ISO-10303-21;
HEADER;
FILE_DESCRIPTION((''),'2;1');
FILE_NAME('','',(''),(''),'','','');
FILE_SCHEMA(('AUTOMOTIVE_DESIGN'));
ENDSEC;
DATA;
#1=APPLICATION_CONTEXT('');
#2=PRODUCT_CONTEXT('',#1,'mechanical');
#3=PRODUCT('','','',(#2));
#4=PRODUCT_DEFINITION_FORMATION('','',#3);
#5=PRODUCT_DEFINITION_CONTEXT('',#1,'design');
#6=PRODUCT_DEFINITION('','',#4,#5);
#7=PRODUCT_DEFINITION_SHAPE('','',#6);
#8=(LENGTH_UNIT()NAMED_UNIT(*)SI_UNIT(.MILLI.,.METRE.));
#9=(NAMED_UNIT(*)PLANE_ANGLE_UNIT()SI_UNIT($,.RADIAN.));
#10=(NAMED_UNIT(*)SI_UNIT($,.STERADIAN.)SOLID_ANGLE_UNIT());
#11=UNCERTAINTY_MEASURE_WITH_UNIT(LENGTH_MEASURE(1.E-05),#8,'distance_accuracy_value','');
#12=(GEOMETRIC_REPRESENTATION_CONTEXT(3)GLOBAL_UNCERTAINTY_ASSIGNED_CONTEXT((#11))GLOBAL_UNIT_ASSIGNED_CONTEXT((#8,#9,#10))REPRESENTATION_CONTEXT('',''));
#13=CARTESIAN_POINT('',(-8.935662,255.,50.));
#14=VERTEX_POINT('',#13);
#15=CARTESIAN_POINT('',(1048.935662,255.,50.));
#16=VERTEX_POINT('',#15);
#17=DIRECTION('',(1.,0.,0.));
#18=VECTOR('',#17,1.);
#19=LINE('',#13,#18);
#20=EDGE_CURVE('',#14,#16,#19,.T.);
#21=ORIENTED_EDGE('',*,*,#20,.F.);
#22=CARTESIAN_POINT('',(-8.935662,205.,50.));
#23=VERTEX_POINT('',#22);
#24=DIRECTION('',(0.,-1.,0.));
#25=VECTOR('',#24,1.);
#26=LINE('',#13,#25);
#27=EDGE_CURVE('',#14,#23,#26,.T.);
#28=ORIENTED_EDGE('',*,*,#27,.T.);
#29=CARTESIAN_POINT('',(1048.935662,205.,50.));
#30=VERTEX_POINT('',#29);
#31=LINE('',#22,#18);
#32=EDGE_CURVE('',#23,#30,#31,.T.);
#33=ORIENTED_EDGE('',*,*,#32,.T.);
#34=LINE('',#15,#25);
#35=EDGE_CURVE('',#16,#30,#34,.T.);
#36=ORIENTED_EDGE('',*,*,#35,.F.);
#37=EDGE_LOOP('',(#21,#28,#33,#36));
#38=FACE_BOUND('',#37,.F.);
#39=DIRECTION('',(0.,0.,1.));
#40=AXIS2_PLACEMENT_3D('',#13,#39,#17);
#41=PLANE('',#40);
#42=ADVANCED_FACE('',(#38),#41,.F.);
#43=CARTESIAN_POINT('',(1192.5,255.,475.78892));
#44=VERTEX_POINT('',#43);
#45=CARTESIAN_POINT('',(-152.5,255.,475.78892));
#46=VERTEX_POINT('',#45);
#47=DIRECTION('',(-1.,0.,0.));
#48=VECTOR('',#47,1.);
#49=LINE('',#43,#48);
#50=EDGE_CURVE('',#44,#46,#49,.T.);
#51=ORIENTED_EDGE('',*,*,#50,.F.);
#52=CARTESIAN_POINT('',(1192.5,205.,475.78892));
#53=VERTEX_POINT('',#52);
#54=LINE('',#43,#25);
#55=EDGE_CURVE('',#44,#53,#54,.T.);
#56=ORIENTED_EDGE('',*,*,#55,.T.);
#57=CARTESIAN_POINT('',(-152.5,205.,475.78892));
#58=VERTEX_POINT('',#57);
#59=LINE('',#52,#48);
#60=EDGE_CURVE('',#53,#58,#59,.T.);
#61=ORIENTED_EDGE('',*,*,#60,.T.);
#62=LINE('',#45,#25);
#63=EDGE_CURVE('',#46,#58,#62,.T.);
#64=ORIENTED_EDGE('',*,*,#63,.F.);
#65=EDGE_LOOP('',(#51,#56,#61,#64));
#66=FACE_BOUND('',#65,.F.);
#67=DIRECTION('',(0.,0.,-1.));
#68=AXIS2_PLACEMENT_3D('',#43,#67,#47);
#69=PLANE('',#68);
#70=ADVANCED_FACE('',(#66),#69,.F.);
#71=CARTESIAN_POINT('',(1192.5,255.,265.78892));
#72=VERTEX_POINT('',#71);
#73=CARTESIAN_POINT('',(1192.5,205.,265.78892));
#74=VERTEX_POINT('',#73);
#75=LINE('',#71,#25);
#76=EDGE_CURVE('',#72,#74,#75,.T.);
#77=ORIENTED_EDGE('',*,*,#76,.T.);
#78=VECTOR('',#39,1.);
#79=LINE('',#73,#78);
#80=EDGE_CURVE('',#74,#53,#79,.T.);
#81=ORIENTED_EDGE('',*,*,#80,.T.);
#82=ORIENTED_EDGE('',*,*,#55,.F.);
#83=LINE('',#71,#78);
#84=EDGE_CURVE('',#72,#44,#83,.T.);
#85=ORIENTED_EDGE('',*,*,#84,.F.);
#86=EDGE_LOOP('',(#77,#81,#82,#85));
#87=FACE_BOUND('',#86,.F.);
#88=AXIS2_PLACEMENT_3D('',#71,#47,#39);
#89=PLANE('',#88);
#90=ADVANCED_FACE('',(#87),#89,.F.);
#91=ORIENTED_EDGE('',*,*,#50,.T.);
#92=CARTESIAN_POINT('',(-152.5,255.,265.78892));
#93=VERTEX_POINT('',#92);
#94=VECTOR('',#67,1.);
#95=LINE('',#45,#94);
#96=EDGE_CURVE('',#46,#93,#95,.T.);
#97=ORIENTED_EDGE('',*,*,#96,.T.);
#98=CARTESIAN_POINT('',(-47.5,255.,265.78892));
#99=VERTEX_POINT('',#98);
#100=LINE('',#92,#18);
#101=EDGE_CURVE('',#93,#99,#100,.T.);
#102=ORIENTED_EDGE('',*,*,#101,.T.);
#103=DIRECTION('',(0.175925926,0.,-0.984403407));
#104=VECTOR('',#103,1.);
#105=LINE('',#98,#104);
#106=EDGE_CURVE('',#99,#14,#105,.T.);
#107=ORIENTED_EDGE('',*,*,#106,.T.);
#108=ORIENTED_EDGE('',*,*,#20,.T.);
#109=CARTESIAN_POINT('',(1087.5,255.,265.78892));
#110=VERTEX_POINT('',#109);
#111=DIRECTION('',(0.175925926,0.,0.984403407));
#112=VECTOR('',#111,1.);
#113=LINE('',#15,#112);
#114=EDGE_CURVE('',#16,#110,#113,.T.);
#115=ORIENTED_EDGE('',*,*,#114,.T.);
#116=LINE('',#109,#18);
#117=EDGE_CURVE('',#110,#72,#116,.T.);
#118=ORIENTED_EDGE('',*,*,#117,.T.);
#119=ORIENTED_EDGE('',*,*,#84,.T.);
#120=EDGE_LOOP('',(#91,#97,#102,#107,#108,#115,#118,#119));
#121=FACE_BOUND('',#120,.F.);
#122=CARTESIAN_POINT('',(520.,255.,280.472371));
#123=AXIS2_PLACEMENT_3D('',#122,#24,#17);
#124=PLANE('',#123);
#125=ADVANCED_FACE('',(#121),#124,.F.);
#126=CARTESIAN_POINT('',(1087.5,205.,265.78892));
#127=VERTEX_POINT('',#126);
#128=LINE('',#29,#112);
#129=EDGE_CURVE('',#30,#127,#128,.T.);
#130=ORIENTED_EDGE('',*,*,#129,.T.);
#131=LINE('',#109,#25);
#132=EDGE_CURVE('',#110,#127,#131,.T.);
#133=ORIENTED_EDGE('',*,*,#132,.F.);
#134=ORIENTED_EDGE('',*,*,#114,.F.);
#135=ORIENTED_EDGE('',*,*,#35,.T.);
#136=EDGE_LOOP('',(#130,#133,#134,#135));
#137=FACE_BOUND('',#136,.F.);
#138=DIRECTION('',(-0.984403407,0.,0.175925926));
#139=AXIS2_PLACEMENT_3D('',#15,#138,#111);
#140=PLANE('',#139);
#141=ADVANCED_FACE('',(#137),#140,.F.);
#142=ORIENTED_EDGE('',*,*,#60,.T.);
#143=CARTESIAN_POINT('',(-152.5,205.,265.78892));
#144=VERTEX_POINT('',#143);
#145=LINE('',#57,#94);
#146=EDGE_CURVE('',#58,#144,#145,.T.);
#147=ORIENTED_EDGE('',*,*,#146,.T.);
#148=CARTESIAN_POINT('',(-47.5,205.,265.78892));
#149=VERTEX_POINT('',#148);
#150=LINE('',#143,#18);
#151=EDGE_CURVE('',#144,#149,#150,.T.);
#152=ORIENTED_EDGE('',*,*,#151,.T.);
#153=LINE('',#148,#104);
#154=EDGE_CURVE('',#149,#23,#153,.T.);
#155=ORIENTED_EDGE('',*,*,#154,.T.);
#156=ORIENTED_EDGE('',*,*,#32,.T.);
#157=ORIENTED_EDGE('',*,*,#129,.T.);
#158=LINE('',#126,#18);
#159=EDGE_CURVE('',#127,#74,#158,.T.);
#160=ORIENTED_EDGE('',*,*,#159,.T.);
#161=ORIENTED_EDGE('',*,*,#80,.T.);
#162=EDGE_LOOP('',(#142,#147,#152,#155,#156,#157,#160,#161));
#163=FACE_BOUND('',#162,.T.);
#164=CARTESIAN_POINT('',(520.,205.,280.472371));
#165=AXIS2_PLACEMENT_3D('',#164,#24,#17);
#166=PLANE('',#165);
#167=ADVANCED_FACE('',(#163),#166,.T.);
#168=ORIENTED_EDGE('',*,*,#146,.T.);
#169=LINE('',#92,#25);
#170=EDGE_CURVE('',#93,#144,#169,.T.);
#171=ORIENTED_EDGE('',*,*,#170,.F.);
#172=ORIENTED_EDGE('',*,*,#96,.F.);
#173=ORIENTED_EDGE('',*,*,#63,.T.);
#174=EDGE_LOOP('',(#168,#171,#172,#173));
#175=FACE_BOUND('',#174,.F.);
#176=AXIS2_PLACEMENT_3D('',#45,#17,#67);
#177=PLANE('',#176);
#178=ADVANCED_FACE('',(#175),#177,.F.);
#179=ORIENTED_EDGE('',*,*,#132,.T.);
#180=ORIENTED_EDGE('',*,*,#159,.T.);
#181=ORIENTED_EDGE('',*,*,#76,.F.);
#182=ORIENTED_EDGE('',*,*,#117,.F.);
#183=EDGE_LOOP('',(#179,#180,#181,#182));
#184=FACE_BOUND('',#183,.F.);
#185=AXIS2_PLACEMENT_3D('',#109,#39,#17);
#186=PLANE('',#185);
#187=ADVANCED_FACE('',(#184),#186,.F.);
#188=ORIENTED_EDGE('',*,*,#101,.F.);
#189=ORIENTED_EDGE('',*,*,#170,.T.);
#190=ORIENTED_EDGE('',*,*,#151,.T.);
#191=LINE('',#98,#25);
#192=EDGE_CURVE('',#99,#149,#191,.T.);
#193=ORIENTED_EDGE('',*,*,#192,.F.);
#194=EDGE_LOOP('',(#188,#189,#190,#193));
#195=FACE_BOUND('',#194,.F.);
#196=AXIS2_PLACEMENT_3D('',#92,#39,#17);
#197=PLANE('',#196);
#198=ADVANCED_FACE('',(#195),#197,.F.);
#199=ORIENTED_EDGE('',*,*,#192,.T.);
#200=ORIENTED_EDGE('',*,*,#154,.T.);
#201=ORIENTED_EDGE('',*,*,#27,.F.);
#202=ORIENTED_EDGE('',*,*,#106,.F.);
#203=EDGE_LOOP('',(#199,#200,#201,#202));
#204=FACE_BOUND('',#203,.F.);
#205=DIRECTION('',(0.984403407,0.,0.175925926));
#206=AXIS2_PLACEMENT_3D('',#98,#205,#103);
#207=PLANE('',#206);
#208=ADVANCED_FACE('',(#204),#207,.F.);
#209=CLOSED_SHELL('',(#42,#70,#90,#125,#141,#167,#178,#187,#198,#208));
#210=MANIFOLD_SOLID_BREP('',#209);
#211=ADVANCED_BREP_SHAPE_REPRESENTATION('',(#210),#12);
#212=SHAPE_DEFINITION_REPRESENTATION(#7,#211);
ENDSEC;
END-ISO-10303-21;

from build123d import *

# Parameters (mm, degrees)
F4_DEPTH = 50


with BuildPart() as f4:
    # F3 (on plane+point) → F4 (new body)
    with BuildSketch(Plane.XZ.offset(-255)):
        Polygon((-152.5, 265.7889200098), (-47.5, 265.7889200098), (-8.9356621785, 50), (1048.9356621785, 50), (1087.5, 265.7889200098), (1192.5, 265.7889200098), (1192.5, 475.7889200098), (-152.5, 475.7889200098), align=None)
    extrude(amount=F4_DEPTH)


solid = f4.part
